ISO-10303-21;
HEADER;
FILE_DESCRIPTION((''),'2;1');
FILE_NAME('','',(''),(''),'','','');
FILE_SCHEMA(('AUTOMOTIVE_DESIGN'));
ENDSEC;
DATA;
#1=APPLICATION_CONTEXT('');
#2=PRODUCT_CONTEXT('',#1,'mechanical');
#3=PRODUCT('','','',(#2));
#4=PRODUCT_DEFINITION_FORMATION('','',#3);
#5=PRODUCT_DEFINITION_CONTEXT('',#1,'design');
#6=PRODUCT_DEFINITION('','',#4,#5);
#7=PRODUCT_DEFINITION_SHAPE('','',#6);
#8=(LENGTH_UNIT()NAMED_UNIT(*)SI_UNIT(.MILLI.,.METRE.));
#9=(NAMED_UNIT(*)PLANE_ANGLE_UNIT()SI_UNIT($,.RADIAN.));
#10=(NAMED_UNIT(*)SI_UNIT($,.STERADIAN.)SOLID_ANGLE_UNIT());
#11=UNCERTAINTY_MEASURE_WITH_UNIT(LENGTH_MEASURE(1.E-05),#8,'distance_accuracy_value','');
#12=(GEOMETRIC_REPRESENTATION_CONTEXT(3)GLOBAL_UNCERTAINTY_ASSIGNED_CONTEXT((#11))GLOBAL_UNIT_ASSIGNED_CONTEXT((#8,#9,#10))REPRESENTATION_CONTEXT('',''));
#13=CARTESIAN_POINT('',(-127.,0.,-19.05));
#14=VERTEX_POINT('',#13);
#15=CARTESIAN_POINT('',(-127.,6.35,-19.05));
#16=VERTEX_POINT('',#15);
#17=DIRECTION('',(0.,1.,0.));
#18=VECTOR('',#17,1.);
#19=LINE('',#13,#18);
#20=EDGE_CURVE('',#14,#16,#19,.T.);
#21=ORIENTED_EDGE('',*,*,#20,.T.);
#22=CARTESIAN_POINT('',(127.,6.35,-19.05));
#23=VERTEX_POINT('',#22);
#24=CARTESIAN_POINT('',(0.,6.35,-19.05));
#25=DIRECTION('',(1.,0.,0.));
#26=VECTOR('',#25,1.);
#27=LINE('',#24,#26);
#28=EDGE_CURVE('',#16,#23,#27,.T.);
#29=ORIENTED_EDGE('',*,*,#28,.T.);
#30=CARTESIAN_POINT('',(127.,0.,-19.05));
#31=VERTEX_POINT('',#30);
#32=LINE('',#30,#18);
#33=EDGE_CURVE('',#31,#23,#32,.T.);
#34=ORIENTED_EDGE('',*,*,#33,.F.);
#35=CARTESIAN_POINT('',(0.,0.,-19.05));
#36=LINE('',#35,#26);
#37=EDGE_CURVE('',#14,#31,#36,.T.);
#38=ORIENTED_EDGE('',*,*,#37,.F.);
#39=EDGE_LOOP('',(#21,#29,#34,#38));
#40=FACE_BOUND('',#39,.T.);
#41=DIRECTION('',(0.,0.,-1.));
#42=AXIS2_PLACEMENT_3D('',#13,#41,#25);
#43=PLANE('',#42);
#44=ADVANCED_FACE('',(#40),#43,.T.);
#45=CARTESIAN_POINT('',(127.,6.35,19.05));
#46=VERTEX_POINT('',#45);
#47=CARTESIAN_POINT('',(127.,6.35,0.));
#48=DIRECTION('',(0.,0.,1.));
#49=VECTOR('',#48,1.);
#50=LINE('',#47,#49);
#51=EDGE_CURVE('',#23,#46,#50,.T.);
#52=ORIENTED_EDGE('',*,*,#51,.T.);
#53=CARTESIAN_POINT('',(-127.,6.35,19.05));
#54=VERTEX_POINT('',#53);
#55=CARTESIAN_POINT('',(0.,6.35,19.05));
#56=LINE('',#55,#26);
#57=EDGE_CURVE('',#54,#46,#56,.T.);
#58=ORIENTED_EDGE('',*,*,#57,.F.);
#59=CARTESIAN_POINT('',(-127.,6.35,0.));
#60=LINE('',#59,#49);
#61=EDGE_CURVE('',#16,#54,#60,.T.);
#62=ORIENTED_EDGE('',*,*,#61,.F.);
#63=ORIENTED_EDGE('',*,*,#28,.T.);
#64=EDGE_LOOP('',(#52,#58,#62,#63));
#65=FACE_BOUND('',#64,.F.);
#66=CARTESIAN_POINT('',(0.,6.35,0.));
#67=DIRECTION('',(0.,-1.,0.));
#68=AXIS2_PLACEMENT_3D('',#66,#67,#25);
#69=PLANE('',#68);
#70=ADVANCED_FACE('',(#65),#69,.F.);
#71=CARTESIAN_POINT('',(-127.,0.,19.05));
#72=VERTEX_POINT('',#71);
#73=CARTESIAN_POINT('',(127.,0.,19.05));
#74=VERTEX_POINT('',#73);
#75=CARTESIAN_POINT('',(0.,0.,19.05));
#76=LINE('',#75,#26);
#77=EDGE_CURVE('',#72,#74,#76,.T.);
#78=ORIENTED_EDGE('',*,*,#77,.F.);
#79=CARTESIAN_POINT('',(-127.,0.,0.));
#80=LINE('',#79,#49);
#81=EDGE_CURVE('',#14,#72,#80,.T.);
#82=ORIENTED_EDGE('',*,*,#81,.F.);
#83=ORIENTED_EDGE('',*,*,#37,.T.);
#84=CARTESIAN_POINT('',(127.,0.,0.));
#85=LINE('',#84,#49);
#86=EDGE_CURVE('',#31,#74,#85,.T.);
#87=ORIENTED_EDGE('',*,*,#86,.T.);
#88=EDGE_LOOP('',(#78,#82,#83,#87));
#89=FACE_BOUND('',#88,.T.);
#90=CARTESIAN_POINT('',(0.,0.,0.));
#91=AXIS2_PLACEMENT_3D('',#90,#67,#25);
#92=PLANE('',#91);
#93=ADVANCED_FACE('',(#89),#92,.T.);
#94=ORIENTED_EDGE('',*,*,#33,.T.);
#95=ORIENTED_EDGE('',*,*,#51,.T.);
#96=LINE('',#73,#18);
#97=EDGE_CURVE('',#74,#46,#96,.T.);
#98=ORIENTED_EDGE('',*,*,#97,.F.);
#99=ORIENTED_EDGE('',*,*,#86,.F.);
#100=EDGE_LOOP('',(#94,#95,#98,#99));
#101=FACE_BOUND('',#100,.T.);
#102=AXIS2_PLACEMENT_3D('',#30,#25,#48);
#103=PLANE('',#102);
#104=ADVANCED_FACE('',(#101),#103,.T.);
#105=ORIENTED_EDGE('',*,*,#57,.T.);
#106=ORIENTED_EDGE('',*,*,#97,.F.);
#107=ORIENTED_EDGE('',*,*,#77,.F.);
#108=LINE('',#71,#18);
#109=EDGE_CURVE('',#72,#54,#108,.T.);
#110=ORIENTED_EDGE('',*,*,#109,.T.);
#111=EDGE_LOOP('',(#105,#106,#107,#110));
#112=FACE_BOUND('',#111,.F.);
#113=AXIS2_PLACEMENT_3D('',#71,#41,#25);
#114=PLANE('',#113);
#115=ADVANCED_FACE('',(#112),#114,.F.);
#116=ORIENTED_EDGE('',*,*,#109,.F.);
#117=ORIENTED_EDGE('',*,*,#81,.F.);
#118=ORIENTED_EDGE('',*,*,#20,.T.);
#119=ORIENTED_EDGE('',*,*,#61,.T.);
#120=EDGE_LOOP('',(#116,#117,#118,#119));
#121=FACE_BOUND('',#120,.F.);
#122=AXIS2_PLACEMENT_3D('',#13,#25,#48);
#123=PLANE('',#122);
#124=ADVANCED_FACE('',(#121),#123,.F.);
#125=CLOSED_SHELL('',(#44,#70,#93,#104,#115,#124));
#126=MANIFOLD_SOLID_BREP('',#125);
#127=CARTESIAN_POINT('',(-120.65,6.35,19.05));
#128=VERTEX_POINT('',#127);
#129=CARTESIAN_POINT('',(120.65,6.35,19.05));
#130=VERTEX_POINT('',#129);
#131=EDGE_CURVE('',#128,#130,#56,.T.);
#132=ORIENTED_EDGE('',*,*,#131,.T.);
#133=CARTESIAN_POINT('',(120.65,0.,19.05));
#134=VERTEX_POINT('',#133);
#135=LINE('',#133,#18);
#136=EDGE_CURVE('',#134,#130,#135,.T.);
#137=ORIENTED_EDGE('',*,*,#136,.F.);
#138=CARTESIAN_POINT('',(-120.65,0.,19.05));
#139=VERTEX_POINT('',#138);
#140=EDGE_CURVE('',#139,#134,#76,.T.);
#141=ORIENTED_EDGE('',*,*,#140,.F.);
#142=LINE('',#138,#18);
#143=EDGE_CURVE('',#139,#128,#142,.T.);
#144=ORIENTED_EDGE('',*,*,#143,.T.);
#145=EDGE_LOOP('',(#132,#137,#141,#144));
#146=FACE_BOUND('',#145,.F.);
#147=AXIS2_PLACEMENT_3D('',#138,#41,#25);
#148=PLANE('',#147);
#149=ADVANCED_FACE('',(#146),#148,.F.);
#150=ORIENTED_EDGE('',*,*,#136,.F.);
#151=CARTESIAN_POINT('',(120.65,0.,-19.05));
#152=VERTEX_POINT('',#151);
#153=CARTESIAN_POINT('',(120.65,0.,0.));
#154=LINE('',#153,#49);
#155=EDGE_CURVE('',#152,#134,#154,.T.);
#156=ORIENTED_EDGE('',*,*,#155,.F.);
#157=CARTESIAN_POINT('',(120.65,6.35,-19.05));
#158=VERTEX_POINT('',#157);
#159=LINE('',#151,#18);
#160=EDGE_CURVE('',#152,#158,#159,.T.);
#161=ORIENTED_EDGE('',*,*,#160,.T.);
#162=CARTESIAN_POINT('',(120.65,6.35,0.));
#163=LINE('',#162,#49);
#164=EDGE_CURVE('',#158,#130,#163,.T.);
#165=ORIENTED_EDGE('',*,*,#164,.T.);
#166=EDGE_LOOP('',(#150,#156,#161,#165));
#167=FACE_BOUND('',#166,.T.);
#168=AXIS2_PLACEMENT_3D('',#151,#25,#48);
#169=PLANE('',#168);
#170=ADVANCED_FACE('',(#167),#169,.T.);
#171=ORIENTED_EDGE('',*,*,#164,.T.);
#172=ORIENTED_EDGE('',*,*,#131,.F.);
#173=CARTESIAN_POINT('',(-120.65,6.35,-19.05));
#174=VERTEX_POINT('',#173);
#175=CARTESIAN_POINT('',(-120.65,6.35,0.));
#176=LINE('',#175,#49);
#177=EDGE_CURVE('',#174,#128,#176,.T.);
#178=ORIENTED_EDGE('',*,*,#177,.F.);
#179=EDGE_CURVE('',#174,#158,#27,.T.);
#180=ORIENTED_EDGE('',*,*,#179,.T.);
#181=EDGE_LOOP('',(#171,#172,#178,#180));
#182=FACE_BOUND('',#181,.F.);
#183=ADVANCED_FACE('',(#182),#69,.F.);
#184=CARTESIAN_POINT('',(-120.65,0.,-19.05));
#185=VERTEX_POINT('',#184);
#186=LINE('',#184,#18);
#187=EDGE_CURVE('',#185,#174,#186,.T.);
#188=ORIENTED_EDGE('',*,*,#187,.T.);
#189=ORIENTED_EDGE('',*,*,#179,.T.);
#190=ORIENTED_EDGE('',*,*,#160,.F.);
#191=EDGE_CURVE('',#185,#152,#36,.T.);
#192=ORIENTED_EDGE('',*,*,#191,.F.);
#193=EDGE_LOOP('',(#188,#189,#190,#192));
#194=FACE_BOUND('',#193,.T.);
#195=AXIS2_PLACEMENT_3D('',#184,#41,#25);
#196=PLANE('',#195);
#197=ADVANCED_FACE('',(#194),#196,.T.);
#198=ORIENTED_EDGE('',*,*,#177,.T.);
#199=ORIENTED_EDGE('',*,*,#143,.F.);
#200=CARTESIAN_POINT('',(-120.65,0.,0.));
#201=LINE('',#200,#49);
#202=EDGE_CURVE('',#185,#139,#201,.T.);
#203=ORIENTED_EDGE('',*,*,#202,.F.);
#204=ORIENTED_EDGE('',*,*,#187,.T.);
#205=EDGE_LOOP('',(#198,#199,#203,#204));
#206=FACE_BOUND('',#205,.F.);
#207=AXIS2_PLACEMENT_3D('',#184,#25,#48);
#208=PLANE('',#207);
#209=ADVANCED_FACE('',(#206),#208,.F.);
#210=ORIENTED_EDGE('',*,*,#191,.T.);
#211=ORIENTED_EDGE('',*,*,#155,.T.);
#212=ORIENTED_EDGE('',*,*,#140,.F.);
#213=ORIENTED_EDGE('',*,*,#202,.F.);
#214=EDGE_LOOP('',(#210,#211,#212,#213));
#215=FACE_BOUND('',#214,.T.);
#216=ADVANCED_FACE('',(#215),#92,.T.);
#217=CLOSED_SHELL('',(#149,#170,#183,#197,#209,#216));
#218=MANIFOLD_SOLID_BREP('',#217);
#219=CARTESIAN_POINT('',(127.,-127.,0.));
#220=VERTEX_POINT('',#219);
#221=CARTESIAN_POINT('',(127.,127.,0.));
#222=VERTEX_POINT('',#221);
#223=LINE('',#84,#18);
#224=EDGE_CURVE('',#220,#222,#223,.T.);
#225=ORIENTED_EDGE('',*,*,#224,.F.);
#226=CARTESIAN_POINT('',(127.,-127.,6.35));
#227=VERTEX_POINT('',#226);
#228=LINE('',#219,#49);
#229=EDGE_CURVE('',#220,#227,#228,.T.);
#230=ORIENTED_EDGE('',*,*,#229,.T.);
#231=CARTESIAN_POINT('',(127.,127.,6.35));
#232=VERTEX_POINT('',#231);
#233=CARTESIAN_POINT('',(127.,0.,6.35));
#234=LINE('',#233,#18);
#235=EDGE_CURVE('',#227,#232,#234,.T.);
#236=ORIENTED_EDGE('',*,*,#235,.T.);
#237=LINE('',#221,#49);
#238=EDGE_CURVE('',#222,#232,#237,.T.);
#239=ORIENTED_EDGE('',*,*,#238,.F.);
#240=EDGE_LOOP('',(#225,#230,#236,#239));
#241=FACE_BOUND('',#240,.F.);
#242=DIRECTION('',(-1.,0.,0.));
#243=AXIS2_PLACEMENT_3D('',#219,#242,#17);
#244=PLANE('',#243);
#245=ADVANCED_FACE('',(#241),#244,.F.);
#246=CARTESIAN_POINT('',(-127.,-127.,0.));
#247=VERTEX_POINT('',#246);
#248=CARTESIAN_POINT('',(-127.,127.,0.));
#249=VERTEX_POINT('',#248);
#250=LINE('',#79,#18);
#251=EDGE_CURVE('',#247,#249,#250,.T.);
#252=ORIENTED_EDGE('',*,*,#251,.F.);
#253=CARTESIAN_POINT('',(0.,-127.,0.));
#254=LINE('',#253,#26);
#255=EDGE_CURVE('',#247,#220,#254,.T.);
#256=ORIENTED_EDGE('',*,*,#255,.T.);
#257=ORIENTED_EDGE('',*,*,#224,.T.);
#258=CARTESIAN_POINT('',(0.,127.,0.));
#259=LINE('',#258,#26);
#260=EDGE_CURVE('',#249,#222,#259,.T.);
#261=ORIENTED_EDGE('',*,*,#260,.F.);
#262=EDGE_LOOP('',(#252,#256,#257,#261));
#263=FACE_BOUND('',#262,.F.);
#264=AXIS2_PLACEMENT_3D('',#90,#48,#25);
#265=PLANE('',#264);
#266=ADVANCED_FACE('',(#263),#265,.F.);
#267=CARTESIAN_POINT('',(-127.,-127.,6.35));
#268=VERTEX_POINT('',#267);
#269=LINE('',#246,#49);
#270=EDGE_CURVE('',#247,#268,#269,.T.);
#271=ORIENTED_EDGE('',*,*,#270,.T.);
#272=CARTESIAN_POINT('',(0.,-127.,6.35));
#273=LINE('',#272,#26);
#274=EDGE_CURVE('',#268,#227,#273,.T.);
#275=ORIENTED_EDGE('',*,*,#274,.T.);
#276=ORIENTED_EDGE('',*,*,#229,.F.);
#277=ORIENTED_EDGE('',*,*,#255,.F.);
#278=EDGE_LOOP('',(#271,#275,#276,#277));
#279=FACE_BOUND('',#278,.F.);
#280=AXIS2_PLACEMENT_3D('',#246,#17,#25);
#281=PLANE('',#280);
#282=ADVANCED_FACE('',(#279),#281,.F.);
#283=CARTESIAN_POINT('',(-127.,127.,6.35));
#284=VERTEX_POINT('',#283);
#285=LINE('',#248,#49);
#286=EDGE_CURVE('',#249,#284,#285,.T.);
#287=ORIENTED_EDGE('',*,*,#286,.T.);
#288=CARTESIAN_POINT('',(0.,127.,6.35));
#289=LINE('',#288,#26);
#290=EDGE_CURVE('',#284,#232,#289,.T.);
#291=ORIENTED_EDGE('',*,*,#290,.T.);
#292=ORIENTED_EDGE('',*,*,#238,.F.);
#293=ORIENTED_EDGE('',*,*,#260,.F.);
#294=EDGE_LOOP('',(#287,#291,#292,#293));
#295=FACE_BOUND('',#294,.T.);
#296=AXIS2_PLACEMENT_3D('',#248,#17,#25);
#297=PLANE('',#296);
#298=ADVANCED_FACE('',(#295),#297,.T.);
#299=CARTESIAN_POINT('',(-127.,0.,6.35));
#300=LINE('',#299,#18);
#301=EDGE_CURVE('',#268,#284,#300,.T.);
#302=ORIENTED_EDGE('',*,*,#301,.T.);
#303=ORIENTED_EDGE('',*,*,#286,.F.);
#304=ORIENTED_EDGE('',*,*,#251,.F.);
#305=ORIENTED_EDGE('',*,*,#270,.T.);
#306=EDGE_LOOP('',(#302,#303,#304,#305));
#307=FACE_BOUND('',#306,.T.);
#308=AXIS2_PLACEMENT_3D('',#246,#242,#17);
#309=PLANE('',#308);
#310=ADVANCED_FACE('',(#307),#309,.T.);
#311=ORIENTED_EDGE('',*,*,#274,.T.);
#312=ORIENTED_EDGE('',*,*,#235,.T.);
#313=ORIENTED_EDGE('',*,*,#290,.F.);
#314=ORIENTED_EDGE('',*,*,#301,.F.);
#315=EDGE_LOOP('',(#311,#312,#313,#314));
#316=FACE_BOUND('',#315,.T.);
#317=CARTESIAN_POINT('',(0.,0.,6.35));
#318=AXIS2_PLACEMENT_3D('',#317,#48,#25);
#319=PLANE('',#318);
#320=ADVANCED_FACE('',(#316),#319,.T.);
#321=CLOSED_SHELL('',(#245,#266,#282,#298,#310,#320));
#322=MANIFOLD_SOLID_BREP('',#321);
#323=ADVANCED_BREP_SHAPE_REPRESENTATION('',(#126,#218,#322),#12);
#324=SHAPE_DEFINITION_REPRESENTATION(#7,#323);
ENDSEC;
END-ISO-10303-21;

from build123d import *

# Parameters (mm, degrees)
F0_W     = 254
F0_H     = 254
F1_DEPTH = 6.35
F2_W     = 254
F2_H     = 38.1
F3_DEPTH = 6.35
F4_W     = 241.3
F4_H     = 38.1
F5_DEPTH = 6.35


with BuildPart() as f1:
    # F0 (on Top) → F1 (new body)
    with BuildSketch(Plane.XY):
        Rectangle(F0_W, F0_H)
    extrude(amount=F1_DEPTH)


with BuildPart() as f3:
    # F2 (on Front) → F3 (new body)
    with BuildSketch(Plane.XZ):
        Rectangle(F2_W, F2_H)
    extrude(amount=-F3_DEPTH)


with BuildPart() as f5:
    # F4 (on Front) → F5 (new body)
    with BuildSketch(Plane.XZ):
        Rectangle(F4_W, F4_H)
    extrude(amount=-F5_DEPTH)


solid = Compound([f1.part, f3.part, f5.part])
